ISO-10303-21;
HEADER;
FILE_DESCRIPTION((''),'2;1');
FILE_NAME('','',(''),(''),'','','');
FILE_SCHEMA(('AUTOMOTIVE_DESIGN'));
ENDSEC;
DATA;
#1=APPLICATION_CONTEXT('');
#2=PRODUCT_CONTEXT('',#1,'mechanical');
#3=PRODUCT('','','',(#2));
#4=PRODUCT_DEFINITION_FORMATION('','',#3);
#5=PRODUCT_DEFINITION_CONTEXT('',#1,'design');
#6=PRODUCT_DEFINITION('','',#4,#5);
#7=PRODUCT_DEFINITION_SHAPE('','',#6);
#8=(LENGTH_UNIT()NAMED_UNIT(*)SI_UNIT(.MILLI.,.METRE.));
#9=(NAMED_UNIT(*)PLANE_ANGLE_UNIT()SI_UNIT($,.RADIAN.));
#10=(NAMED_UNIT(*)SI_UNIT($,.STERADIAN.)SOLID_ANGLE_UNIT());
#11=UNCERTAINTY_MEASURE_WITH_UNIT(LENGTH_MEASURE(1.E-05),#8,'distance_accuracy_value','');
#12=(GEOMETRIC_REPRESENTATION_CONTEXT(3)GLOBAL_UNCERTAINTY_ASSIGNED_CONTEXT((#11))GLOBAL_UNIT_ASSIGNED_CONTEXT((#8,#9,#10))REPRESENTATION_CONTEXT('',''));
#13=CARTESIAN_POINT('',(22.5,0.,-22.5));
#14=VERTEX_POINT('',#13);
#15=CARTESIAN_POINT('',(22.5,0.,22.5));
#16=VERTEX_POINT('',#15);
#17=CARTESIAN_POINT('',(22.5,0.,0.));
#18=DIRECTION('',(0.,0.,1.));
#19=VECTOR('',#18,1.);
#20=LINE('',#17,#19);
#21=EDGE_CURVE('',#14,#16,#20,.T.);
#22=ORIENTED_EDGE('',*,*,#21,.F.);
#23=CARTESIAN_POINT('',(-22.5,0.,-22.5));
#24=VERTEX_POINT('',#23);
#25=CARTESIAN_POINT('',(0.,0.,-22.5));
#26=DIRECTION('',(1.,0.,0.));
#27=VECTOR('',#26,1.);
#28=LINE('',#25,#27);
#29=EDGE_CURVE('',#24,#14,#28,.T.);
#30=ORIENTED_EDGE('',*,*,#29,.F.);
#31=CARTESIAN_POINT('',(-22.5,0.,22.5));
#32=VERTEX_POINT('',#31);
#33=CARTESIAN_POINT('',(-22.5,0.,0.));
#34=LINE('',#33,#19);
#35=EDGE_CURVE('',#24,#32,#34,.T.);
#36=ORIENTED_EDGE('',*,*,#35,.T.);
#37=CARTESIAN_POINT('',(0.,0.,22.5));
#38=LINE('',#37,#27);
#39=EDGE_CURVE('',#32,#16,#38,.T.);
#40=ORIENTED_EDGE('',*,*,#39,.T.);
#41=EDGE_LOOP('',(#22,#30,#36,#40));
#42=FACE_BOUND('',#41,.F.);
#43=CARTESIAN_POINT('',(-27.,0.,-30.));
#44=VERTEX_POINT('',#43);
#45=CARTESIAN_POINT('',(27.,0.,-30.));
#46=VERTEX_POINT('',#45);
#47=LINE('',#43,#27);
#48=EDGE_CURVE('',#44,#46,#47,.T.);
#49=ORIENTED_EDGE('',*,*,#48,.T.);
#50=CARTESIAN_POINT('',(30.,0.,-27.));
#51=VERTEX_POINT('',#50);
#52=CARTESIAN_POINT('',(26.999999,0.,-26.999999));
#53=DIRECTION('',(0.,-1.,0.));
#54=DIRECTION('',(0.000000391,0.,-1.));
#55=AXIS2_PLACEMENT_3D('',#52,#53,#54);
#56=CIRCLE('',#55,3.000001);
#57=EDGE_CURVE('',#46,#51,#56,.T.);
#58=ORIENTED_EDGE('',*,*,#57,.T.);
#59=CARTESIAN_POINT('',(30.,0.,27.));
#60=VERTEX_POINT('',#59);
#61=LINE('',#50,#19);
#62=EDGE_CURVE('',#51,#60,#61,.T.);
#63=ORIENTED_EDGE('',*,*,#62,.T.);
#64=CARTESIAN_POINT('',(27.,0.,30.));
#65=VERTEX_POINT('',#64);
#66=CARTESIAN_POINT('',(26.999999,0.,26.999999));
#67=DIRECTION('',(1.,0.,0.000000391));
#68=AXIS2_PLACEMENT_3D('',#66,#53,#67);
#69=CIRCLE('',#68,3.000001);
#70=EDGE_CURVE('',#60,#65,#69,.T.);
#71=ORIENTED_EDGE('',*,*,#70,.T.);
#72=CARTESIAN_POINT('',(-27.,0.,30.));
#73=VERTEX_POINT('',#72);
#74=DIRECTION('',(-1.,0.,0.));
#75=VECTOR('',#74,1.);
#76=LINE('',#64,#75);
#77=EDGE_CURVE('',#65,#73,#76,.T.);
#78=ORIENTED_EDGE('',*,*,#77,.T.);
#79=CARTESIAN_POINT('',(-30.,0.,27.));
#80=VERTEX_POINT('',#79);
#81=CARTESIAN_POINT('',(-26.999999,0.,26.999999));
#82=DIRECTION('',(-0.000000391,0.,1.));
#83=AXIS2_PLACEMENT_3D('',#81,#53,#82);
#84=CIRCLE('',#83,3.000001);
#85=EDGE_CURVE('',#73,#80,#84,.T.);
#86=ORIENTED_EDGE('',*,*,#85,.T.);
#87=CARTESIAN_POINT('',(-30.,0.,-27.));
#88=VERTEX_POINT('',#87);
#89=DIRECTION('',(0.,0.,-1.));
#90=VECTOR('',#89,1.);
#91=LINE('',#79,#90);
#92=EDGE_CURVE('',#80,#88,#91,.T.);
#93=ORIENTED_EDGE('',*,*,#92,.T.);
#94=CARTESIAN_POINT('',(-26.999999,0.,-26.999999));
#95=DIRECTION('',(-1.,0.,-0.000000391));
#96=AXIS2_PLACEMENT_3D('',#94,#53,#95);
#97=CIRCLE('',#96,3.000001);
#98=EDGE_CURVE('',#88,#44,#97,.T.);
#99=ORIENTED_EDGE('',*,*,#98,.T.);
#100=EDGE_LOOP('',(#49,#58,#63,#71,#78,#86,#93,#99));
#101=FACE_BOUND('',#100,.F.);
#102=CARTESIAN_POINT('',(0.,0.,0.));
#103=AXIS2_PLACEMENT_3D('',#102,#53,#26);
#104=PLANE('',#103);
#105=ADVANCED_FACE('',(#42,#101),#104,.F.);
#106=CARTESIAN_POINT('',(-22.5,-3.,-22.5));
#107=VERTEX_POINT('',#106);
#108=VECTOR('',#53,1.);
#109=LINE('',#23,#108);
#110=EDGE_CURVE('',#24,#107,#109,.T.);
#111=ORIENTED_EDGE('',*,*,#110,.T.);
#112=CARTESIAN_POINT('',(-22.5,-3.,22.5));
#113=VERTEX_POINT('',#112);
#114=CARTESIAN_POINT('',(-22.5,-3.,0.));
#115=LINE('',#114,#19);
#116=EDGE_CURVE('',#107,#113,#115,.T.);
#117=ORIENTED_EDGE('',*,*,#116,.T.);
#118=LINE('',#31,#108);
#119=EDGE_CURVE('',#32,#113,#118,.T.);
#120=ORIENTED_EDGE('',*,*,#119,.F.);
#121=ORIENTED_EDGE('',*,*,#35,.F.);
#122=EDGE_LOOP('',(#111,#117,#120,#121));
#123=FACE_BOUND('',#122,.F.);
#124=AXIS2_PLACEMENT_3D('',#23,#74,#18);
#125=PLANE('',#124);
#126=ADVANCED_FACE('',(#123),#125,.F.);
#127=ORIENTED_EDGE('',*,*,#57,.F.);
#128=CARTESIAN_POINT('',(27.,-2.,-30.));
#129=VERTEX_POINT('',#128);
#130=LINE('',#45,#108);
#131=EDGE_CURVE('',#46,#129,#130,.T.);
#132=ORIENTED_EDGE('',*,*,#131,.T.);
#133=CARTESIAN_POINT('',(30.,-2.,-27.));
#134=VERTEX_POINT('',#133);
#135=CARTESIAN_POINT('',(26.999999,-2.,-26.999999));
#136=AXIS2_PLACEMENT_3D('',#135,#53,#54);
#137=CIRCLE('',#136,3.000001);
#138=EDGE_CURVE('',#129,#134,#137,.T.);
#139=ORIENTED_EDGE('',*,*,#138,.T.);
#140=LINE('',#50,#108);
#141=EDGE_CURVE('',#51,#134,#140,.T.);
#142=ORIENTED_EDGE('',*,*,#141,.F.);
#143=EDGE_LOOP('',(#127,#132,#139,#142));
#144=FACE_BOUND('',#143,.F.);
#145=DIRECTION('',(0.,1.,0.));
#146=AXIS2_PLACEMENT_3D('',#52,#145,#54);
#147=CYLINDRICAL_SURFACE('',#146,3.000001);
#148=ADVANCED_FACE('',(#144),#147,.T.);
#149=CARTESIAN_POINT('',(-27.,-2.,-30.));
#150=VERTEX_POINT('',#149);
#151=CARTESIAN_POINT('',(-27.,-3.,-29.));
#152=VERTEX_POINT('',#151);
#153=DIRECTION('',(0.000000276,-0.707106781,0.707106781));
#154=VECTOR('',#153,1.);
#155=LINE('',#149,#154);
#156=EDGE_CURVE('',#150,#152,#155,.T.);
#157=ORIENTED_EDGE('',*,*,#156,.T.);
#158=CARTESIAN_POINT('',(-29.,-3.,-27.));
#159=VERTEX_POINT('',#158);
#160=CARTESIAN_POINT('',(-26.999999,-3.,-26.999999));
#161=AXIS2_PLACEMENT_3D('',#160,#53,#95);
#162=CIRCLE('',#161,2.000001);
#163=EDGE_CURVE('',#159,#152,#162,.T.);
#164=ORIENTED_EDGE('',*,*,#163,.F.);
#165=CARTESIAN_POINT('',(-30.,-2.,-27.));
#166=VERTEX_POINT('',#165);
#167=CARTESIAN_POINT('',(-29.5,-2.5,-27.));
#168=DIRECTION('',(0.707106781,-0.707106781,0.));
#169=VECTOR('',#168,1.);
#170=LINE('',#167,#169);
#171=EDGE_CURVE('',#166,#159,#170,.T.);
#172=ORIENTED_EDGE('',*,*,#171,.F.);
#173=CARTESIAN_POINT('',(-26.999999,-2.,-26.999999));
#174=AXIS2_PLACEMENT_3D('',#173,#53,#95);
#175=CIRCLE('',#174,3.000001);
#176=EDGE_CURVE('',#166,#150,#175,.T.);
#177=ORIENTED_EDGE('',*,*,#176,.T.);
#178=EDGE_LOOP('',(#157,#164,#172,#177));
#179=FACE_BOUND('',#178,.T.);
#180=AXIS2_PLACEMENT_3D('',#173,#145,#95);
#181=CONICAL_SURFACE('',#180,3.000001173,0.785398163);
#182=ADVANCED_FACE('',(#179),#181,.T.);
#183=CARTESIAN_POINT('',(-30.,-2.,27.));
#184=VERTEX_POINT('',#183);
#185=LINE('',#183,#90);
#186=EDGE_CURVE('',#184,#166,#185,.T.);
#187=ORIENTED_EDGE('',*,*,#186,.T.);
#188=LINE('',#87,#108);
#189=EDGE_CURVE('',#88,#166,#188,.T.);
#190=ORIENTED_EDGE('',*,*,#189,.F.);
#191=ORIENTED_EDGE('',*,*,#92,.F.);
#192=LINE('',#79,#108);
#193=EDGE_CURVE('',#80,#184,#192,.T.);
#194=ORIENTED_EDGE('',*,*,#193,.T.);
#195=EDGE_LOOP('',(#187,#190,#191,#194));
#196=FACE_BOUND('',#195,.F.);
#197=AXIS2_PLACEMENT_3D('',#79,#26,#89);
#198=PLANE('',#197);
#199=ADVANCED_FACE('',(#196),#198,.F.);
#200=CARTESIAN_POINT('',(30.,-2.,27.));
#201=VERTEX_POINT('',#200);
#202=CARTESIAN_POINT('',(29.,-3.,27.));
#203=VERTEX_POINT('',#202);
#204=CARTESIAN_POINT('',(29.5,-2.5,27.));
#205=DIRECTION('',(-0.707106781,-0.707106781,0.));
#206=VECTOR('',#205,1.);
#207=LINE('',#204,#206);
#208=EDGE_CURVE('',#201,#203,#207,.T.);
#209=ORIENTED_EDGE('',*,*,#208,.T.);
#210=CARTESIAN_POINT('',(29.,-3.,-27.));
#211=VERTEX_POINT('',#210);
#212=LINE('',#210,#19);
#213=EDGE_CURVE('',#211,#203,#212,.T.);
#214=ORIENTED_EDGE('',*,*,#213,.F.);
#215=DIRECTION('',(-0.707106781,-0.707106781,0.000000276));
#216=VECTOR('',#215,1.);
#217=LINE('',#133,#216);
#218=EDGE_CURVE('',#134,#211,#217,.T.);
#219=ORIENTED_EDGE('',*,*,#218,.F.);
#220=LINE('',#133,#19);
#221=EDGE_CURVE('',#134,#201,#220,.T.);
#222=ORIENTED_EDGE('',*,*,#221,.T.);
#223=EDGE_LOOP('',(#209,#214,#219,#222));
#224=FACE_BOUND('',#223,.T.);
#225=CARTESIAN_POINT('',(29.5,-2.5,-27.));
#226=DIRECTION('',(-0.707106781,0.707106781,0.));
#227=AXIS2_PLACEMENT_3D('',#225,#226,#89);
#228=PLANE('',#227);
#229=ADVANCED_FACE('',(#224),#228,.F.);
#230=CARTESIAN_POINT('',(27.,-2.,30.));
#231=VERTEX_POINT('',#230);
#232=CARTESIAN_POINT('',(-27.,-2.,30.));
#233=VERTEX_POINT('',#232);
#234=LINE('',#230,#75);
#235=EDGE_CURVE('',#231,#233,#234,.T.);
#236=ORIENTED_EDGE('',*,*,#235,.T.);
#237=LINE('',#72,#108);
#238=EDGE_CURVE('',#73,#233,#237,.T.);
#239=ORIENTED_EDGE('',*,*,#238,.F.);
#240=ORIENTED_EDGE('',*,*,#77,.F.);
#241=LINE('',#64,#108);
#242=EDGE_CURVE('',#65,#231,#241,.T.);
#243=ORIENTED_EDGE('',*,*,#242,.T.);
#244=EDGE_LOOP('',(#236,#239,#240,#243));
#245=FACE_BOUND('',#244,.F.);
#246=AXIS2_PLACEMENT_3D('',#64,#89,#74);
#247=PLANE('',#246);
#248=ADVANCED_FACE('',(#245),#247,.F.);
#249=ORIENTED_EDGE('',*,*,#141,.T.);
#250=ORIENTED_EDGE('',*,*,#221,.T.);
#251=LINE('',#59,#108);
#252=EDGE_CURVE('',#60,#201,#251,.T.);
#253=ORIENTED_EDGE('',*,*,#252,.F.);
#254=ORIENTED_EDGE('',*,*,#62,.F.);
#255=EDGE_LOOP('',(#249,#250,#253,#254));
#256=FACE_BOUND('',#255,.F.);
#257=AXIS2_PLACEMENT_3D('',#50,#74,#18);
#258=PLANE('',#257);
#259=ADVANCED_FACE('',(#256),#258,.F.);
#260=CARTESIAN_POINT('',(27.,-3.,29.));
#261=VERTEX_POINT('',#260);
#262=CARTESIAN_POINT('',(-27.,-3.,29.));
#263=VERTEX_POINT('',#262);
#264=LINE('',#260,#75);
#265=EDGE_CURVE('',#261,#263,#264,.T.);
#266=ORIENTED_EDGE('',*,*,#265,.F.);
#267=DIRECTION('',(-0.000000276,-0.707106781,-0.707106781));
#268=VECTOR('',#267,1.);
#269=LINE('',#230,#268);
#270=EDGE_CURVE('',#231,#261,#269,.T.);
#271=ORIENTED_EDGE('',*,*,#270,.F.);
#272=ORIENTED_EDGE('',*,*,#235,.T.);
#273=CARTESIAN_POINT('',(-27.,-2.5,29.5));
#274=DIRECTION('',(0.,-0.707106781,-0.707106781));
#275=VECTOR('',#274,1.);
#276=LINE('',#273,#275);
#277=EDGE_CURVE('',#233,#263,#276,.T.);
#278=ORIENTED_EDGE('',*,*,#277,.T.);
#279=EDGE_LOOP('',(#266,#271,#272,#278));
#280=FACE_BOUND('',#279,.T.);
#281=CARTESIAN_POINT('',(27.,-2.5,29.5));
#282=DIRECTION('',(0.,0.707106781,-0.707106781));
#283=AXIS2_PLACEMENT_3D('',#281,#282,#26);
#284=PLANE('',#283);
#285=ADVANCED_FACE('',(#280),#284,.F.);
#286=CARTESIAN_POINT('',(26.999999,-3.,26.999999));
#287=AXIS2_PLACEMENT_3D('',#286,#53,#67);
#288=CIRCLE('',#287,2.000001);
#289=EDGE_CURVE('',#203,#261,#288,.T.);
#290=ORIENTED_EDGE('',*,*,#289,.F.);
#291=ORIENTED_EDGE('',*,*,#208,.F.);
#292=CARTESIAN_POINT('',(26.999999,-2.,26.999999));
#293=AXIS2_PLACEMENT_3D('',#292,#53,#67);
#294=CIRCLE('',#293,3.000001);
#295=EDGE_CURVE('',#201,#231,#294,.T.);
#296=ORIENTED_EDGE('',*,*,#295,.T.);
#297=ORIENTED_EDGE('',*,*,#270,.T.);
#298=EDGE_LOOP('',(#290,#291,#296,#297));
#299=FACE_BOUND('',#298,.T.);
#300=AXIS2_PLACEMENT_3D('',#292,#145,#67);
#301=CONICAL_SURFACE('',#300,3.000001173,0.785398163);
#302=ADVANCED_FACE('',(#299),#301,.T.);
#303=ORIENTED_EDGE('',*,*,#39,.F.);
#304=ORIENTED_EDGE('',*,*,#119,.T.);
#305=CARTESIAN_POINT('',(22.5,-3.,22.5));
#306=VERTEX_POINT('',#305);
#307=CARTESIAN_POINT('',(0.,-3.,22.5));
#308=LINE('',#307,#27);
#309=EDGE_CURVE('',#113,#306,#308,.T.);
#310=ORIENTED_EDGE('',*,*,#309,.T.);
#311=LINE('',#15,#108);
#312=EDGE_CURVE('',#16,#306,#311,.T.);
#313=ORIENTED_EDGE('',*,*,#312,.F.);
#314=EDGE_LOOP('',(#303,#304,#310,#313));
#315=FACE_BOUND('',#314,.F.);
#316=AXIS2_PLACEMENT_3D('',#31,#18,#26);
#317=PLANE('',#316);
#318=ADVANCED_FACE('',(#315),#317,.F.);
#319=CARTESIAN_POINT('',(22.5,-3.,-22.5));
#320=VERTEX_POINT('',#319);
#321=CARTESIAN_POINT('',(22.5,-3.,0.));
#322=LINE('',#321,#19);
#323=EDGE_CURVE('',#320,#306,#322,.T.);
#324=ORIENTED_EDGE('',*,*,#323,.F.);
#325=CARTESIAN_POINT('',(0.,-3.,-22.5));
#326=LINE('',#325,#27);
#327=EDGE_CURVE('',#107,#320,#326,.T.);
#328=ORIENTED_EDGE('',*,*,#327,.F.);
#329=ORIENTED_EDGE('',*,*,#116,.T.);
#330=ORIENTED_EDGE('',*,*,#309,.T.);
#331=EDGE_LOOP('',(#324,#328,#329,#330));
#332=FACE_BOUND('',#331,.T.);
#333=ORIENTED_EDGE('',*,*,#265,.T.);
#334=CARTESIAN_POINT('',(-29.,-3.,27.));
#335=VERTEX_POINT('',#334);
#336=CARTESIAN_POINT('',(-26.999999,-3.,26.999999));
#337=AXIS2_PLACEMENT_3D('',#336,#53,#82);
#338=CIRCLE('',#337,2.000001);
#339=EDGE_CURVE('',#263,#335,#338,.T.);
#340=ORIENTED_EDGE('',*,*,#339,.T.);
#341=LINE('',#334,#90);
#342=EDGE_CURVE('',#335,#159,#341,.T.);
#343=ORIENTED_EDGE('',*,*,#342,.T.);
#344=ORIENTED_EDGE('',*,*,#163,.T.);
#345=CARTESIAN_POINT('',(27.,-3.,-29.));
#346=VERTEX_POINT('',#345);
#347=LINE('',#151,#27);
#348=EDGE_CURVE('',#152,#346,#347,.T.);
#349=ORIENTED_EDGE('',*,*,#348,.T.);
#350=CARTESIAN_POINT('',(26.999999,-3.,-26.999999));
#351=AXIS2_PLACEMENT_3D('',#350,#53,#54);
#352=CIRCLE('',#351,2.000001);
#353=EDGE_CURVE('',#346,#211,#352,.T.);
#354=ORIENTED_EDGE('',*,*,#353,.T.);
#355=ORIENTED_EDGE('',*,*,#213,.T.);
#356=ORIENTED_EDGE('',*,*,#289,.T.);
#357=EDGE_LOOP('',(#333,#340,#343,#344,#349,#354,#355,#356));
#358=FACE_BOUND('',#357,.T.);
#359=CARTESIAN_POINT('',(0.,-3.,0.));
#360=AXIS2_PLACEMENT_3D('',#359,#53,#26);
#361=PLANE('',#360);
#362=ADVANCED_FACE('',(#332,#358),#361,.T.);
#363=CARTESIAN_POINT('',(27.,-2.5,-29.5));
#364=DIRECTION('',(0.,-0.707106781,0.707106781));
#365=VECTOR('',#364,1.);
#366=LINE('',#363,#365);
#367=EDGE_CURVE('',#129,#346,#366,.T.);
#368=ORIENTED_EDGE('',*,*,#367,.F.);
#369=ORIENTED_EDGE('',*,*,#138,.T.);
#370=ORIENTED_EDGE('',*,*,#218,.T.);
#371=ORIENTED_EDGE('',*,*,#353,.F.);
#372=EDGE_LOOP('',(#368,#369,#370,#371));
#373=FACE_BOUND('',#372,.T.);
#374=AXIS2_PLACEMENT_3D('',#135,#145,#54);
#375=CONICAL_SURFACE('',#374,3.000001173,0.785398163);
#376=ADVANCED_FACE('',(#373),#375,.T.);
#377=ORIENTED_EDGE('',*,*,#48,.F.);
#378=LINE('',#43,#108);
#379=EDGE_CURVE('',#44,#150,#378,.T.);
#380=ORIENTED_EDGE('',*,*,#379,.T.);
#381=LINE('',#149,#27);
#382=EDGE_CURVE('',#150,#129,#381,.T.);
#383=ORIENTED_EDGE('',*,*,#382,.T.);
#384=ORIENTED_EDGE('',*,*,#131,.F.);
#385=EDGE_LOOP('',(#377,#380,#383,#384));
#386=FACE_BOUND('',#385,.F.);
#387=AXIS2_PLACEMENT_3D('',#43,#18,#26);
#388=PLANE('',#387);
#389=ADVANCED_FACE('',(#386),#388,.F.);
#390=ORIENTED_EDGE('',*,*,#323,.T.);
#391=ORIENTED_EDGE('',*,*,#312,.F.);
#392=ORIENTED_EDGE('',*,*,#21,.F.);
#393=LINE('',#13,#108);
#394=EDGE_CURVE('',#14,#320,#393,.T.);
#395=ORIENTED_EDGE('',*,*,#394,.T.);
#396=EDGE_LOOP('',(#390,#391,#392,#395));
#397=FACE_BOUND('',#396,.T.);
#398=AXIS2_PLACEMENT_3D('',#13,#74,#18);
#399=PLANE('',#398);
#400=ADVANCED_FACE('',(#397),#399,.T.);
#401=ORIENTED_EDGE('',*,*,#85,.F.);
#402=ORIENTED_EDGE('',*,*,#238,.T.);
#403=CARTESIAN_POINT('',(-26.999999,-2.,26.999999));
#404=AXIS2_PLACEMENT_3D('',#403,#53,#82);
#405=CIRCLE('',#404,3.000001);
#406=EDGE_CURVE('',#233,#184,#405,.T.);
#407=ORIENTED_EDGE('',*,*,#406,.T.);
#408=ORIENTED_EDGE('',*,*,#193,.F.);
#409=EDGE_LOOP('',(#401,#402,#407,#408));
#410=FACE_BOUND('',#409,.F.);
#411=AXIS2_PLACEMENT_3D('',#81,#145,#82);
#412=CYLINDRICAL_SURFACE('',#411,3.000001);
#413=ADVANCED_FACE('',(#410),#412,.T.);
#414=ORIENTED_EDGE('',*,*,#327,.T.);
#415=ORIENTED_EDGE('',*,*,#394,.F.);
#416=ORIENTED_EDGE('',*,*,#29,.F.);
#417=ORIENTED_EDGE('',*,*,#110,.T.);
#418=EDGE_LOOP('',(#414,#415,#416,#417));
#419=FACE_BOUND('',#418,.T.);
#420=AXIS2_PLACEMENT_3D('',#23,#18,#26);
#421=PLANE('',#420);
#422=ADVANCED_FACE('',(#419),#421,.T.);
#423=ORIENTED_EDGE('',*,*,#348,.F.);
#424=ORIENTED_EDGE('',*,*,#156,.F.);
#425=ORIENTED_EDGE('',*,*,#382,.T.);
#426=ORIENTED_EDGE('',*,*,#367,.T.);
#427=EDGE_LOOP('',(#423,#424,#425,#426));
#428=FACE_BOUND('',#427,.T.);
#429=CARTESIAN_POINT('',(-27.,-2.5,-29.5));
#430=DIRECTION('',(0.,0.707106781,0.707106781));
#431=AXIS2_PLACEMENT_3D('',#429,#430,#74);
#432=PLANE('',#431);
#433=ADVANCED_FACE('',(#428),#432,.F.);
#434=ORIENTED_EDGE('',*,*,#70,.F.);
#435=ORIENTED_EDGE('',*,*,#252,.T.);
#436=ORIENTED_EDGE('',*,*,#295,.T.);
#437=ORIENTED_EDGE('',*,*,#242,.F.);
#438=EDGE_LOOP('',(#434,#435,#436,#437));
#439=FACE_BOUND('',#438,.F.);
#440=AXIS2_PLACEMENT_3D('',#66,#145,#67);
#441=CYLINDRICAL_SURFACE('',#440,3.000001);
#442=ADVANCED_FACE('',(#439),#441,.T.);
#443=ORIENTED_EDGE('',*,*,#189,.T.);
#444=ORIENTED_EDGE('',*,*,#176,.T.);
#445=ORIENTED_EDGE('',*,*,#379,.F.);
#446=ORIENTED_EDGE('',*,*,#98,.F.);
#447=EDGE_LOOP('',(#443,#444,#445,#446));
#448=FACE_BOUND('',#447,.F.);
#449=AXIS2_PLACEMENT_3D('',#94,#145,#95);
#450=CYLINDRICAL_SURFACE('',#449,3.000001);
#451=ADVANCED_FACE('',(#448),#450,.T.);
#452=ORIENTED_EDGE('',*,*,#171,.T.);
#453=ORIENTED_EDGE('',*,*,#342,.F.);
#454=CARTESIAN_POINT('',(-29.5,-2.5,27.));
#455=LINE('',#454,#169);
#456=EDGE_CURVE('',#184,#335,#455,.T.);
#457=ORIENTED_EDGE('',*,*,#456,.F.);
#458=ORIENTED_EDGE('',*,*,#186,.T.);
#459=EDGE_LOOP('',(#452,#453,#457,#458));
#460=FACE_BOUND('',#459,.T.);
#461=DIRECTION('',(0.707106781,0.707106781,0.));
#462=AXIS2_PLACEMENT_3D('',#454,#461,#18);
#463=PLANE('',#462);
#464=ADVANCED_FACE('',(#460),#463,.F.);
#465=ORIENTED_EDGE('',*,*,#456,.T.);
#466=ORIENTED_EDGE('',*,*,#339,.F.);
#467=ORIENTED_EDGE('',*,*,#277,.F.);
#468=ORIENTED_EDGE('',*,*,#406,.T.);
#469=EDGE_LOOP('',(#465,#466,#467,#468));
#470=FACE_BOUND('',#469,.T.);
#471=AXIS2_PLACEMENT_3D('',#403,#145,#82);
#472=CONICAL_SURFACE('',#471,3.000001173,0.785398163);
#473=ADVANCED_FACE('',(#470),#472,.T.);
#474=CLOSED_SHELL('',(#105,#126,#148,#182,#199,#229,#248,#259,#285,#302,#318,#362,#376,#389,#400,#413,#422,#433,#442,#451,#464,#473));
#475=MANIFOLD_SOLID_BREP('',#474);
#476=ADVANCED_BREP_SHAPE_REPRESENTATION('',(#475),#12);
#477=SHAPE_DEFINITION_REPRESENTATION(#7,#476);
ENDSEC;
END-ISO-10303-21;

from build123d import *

# Parameters (mm, degrees)
F0_W     = 45
F0_H     = 45
F1_DEPTH = 3
F2_SIZE  = 1


with BuildPart() as f1:
    # F0 (on Front) → F1 (new body)
    with BuildSketch(Plane.XZ):
        with BuildLine():
            Line((27, 30), (-27, 30))
            ThreePointArc((-27, 30), (-29.12132, 29.12132), (-30, 27))
            Line((-30, 27), (-30, -27))
            ThreePointArc((-30, -27), (-29.12132, -29.12132), (-27, -30))
            Line((-27, -30), (27, -30))
            ThreePointArc((27, -30), (29.12132, -29.12132), (30, -27))
            Line((30, -27), (30, 27))
            ThreePointArc((30, 27), (29.12132, 29.12132), (27, 30))
        make_face()
        Rectangle(F0_W, F0_H, mode=Mode.SUBTRACT)
    extrude(amount=F1_DEPTH)

    # F2
    f2_edges = [f1.edges().sort_by_distance(p)[0] for p in [
        (-30, -3, 0),
        (0, -3, 30),
        (30, -3, 0),
        (0, -3, -30),
    ]]
    chamfer(f2_edges, length=F2_SIZE)


solid = f1.part
